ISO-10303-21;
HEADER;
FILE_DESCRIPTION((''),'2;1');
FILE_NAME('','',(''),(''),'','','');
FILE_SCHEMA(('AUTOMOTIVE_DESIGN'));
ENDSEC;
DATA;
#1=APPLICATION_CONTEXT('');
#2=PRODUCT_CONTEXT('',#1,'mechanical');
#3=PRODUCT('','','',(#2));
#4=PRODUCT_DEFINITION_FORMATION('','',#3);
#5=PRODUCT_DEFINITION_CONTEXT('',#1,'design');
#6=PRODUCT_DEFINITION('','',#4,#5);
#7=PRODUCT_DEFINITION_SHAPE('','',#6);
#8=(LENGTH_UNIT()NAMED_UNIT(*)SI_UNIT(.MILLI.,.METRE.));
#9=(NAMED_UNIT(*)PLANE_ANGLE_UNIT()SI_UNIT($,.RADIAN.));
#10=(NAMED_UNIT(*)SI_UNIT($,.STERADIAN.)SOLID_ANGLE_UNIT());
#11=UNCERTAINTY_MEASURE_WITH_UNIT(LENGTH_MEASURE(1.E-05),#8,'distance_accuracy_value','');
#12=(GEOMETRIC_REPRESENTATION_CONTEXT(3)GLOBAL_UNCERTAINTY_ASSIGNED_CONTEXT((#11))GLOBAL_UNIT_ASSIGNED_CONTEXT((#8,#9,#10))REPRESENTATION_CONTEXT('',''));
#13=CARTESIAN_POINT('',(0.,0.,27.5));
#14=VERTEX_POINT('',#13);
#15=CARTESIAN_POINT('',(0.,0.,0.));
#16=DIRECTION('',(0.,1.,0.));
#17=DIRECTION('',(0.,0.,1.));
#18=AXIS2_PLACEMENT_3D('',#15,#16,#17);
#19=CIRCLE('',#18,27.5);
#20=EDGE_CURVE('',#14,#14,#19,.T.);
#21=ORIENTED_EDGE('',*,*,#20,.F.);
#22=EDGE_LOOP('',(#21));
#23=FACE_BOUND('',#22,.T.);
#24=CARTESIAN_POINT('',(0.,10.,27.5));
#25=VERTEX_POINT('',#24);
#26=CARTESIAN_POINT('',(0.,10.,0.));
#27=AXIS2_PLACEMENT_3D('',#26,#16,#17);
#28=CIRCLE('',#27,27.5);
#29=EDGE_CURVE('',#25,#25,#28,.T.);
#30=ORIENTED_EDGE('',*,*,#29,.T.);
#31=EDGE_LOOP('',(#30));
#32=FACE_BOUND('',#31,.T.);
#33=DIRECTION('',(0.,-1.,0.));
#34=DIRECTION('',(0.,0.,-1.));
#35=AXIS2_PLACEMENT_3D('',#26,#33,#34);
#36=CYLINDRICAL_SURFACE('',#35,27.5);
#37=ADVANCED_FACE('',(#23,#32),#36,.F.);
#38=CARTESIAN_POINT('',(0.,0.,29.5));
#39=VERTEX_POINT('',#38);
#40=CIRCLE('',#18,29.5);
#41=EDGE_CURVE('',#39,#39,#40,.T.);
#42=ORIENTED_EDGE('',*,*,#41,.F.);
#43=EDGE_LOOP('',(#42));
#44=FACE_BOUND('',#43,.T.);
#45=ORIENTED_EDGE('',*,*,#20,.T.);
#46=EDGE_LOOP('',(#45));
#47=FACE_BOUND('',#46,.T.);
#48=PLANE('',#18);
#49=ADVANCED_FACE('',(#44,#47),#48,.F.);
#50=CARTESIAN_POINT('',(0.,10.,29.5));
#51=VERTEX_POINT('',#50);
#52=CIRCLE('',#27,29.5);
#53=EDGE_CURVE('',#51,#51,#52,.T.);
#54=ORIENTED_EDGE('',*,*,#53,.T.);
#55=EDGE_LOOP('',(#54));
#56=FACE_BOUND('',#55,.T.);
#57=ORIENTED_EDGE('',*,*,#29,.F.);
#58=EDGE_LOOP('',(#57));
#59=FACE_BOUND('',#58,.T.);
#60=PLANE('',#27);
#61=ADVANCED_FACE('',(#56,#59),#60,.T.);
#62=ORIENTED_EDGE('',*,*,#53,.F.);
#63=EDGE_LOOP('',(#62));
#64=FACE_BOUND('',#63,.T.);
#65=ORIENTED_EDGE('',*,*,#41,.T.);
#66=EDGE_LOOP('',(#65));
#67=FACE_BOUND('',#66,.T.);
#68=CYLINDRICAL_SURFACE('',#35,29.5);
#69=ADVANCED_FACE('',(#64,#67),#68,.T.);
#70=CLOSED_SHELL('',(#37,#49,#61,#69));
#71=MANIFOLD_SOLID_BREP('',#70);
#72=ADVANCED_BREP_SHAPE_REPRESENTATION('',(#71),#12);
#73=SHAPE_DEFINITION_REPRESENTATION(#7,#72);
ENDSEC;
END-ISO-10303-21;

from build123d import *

# Parameters (mm, degrees)
SKETCH_1_R      = 29.5
SKETCH_1_R_2    = 27.5
EXTRUDE_1_DEPTH = 10


with BuildPart() as part:
    # Эскиз1 → Бобышка-Вытянуть1 (new body)
    with BuildSketch(Plane(origin=(0, 0, 0), x_dir=(1, 0, 0), z_dir=(0, 1, 0))):
        Circle(SKETCH_1_R)
        Circle(SKETCH_1_R_2, mode=Mode.SUBTRACT)
    extrude(amount=EXTRUDE_1_DEPTH)


solid = part.part
